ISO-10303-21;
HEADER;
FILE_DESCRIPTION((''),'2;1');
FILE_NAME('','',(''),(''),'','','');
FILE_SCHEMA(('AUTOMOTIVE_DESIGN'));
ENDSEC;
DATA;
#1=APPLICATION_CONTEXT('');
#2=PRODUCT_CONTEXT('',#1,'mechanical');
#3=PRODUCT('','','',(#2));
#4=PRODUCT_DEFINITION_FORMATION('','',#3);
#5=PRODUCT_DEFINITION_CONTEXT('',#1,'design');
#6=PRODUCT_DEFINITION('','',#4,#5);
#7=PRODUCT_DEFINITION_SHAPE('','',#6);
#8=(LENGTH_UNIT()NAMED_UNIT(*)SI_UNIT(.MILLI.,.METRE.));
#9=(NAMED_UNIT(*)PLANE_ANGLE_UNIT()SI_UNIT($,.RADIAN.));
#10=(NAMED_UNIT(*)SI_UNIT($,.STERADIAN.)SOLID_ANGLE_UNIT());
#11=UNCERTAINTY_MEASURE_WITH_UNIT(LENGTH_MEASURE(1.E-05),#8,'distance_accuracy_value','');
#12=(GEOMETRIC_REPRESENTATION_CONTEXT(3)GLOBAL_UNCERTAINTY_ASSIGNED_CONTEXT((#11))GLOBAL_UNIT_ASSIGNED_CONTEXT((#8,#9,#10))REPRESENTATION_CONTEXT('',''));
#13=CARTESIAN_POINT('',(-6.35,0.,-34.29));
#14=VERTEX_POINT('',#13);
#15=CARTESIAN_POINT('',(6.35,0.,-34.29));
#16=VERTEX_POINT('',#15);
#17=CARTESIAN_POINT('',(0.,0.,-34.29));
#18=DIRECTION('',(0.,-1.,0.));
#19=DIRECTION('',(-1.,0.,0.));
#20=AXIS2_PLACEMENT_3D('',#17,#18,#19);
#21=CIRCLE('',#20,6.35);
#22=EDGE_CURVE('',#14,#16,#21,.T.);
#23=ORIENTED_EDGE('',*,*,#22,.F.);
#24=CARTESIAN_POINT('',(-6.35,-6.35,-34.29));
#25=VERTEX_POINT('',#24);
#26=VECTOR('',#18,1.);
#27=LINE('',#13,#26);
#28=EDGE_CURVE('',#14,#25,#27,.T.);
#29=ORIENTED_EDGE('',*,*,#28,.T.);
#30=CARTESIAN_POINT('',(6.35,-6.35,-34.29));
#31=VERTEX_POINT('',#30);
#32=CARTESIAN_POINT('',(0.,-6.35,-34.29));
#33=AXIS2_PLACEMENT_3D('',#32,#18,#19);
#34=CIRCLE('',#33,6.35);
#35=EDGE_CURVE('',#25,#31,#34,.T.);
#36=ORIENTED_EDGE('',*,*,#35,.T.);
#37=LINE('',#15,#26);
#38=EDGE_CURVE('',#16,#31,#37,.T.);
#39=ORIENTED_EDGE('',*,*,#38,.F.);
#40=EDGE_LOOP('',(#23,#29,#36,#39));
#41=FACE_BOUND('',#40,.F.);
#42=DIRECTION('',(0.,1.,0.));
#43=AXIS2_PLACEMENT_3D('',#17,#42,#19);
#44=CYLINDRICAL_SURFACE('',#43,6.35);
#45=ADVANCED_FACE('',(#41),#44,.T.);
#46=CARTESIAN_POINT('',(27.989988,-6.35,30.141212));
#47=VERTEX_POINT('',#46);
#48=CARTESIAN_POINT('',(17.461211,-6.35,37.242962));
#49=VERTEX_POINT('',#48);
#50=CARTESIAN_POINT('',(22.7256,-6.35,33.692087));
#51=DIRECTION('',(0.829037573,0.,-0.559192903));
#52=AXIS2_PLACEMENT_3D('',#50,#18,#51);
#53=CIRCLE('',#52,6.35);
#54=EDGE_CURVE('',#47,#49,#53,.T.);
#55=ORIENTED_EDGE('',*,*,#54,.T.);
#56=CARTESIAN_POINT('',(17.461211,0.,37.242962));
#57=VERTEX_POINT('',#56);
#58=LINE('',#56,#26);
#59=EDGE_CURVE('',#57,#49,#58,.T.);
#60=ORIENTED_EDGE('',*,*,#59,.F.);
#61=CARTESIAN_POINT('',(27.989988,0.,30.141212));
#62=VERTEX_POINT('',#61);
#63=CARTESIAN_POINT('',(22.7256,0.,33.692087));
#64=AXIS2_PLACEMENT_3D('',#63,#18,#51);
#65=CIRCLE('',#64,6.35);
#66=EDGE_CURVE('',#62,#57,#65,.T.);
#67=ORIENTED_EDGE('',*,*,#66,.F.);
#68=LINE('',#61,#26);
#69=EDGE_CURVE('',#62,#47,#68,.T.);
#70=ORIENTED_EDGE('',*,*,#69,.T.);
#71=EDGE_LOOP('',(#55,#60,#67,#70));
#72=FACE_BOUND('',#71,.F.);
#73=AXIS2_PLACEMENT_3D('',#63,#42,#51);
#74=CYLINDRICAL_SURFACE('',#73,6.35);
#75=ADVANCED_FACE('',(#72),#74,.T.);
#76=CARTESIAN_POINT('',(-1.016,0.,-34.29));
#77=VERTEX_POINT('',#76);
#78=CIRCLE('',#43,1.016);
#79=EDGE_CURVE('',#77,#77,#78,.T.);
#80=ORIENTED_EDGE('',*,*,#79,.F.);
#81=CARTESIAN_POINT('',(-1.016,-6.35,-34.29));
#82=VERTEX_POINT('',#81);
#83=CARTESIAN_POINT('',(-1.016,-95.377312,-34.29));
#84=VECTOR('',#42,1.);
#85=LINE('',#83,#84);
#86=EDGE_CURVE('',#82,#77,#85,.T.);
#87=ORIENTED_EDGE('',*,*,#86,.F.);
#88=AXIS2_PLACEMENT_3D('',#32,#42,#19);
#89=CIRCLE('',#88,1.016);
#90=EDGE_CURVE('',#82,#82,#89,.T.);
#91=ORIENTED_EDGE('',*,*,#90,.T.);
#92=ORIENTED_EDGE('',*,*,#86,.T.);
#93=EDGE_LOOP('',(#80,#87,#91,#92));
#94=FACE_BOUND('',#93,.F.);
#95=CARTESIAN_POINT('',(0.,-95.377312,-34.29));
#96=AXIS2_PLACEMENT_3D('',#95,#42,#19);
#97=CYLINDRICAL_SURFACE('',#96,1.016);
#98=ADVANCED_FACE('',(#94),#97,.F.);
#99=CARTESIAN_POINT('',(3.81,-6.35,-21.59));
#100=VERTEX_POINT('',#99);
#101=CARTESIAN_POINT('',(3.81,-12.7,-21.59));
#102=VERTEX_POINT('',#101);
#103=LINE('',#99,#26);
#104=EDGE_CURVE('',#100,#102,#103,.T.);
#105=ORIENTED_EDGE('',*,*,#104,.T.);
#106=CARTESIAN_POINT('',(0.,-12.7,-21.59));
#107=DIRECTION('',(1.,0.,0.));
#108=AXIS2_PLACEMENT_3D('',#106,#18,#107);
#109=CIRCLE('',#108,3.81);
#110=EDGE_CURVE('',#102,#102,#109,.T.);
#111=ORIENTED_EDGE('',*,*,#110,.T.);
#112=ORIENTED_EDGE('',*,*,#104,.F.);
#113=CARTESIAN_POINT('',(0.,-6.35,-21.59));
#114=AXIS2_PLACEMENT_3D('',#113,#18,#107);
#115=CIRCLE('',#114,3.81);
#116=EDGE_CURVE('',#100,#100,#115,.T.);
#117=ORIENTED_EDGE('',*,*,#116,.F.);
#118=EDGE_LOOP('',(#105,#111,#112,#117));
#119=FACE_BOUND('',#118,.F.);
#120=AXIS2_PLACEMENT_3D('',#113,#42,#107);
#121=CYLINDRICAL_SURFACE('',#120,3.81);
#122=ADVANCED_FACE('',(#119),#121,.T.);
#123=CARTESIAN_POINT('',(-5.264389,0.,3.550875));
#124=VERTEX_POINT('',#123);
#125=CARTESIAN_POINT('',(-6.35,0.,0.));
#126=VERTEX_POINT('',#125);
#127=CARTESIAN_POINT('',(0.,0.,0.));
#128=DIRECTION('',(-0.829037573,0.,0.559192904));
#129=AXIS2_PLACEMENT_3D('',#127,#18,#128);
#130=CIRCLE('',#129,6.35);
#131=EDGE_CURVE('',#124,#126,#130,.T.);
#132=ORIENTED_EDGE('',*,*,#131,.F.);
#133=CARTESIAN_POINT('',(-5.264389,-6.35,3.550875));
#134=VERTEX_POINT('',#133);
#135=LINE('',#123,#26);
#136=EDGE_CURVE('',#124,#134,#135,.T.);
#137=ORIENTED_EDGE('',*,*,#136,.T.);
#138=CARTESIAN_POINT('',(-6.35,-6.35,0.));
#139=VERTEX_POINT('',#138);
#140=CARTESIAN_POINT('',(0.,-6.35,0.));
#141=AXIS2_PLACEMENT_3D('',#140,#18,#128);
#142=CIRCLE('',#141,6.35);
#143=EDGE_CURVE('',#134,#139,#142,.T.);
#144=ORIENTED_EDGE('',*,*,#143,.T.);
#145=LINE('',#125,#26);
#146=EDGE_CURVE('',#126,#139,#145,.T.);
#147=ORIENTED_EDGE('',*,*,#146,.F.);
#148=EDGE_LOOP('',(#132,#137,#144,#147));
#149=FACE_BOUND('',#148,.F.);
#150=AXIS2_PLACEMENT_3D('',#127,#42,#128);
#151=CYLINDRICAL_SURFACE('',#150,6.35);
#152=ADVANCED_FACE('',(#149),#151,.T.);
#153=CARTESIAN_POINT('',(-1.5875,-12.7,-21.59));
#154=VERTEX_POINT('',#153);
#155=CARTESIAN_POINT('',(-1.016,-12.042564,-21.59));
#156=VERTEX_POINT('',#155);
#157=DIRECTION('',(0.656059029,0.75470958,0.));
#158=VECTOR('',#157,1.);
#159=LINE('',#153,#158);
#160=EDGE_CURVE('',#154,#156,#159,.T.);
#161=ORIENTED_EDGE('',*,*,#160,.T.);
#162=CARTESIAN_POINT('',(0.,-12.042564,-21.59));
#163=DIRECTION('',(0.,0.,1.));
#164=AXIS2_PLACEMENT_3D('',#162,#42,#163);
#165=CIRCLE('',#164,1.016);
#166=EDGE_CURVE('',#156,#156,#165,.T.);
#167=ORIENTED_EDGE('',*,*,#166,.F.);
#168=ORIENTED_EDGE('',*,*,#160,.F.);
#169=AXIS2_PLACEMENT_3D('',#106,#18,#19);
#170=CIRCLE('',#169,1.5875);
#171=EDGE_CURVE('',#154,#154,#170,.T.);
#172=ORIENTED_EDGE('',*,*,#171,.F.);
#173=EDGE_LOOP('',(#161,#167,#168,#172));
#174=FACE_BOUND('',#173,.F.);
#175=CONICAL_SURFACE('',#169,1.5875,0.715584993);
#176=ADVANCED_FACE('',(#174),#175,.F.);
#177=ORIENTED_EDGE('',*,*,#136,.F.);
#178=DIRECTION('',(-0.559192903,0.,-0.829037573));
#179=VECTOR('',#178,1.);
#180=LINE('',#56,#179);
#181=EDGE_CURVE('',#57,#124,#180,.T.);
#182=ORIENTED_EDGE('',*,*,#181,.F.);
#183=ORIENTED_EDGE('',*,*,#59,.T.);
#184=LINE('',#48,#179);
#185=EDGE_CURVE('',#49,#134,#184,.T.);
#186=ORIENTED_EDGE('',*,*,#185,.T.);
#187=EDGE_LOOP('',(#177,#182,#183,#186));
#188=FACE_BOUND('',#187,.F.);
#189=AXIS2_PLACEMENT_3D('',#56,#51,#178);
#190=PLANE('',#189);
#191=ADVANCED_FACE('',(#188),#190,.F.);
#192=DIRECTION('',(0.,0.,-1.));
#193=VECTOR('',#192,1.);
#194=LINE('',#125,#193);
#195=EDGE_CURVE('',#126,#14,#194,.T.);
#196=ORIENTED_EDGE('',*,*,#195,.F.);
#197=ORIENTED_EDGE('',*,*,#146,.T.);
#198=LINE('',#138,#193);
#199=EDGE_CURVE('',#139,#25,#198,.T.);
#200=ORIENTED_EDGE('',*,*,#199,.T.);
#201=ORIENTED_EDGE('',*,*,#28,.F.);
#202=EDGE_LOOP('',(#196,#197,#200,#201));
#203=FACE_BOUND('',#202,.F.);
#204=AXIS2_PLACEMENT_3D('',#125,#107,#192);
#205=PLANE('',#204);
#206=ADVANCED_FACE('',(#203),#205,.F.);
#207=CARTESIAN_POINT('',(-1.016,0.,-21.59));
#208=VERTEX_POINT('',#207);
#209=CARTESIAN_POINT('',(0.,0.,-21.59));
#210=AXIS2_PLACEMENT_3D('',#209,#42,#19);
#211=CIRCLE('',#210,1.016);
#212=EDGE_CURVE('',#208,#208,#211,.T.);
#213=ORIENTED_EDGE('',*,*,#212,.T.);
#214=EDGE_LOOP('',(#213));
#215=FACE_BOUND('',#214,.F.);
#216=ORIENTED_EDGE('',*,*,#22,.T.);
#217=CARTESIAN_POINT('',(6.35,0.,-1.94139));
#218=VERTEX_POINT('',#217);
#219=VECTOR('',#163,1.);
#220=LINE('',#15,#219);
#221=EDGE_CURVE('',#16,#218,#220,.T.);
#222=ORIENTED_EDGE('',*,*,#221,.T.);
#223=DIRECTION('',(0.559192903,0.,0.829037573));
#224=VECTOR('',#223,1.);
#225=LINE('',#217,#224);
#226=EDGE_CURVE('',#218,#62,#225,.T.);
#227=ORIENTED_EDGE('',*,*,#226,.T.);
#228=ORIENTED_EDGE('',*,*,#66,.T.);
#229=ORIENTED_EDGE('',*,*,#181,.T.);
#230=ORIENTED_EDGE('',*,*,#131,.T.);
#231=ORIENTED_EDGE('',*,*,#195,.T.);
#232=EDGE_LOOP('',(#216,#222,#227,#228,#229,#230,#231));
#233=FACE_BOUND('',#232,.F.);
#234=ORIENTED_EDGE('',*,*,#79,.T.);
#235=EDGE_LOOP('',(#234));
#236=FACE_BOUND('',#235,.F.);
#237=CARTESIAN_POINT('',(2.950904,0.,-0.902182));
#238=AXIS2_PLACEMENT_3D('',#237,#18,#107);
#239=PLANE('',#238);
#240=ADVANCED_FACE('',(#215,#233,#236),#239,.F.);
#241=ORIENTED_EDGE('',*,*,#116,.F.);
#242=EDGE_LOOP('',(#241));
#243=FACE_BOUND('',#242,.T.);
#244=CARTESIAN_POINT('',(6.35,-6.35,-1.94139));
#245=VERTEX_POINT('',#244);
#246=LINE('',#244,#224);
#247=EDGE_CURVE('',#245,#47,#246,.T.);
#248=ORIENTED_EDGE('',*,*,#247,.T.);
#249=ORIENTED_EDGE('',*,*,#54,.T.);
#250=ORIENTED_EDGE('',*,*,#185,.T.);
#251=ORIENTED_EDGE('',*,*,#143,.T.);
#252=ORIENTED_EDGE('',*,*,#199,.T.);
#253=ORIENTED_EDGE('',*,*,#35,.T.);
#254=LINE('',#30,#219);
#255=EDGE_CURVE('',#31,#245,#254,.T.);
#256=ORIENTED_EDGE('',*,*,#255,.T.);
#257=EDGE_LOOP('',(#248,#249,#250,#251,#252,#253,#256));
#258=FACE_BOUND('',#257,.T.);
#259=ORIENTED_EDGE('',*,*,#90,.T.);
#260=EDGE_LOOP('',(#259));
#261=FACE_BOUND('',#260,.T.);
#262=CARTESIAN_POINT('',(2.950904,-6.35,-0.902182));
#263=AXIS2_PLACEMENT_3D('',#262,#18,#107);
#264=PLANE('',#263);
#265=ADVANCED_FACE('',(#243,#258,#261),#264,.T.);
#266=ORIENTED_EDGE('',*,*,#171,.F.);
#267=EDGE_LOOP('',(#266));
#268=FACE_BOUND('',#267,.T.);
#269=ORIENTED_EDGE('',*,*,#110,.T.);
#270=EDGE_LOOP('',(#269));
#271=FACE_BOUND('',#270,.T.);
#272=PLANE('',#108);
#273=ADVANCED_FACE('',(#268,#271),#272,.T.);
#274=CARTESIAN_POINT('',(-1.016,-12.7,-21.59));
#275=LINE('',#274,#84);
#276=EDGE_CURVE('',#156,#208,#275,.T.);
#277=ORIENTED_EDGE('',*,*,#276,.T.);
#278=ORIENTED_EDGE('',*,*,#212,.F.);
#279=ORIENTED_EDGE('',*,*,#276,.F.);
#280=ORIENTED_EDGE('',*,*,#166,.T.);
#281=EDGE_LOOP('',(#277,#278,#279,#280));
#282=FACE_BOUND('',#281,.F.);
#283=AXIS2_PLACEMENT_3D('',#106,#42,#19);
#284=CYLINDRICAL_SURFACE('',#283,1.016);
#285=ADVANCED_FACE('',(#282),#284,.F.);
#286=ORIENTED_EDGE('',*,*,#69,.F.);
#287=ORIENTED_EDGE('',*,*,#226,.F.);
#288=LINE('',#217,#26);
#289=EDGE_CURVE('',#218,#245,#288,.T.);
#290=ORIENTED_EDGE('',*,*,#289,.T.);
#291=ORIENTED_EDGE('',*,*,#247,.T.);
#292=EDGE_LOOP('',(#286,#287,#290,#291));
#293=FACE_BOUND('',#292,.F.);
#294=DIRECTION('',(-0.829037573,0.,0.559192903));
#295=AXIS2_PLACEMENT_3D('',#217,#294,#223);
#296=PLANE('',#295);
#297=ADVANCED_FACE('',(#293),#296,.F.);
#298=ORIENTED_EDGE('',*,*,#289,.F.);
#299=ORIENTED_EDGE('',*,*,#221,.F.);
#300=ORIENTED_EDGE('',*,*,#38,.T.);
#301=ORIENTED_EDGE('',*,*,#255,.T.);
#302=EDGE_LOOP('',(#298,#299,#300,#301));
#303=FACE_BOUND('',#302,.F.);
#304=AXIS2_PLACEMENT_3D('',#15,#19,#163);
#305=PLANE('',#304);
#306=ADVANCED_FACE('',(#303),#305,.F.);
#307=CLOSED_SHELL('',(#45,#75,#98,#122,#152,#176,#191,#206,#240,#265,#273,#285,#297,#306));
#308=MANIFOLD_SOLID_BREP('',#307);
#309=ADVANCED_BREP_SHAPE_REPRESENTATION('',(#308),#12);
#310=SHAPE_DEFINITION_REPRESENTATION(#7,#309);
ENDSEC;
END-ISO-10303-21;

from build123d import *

# Parameters (mm, degrees)
F1_DEPTH       = 6.35
F2_R           = 3.81
F3_DEPTH       = 6.35
F5_D           = 2.032
F5_CSINK_D     = 3.175
F5_CSINK_ANGLE = 82
F7_D           = 2.032


with BuildPart() as f1:
    # F0 (on Front) → F1 (new body)
    with BuildSketch(Plane.XZ):
        with BuildLine():
            Line((3.550874937, 5.2643885857), (0, 0))
            Line((0, 0), (0, -6.35))
            ThreePointArc((0, -6.35), (2.9811444237, -5.6067172147), (5.2643885857, -3.550874937))
            Line((5.2643885857, -3.550874937), (6.35, -1.9413898273))
            Line((6.35, -1.9413898273), (6.35, 0))
            ThreePointArc((6.35, 0), (5.6067172147, 2.9811444237), (3.550874937, 5.2643885857))
        make_face()
        with BuildLine():
            Line((0, -6.35), (0, 0))
            Line((0, 0), (3.550874937, 5.2643885857))
            ThreePointArc((3.550874937, 5.2643885857), (-1.2116371206, 6.2333326149), (-5.2643885857, 3.550874937))
            ThreePointArc((-5.2643885857, 3.550874937), (-6.0725352004, 1.856560325), (-6.35, 0))
            ThreePointArc((-6.35, 0), (-4.4901280605, -4.4901280605), (0, -6.35))
        make_face()
        with BuildLine():
            ThreePointArc((5.2643885857, -3.550874937), (2.9811444237, -5.6067172147), (0, -6.35))
            Line((0, -6.35), (0, -15.24))
            ThreePointArc((0, -15.24), (4.4901280605, -17.0998719395), (6.35, -21.59))
            Line((6.35, -21.59), (6.35, -1.9413898273))
            Line((6.35, -1.9413898273), (5.2643885857, -3.550874937))
        make_face()
        with BuildLine():
            Line((0, -15.24), (0, -6.35))
            ThreePointArc((0, -6.35), (-4.4901280605, -4.4901280605), (-6.35, 0))
            Line((-6.35, 0), (-6.35, -21.59))
            ThreePointArc((-6.35, -21.59), (-4.4901280605, -17.0998719395), (0, -15.24))
        make_face()
        with BuildLine():
            ThreePointArc((-5.2643885857, 3.550874937), (-1.2116371206, 6.2333326149), (3.550874937, 5.2643885857))
            ThreePointArc((3.550874937, 5.2643885857), (5.6067172147, 2.9811444237), (6.35, 0))
            Line((6.35, 0), (6.35, -1.9413898273))
            Line((6.35, -1.9413898273), (27.9899881828, 30.1412120116))
            ThreePointArc((27.9899881828, 30.1412120116), (26.2764745341, 38.9564755344), (17.4612110113, 37.2429618857))
            Line((17.4612110113, 37.2429618857), (-5.2643885857, 3.550874937))
        make_face()
        with BuildLine():
            ThreePointArc((6.35, -21.59), (4.4901280605, -17.0998719395), (0, -15.24))
            Line((0, -15.24), (0, -21.59))
            Line((0, -21.59), (0, -27.94))
            ThreePointArc((0, -27.94), (4.4901280605, -26.0801280605), (6.35, -21.59))
        make_face()
        with BuildLine():
            Line((0, -21.59), (0, -15.24))
            ThreePointArc((0, -15.24), (-4.4901280605, -17.0998719395), (-6.35, -21.59))
            ThreePointArc((-6.35, -21.59), (-4.4901280605, -26.0801280605), (0, -27.94))
            Line((0, -27.94), (0, -21.59))
        make_face()
        with BuildLine():
            ThreePointArc((0, -27.94), (-4.4901280605, -26.0801280605), (-6.35, -21.59))
            Line((-6.35, -21.59), (-6.35, -34.29))
            ThreePointArc((-6.35, -34.29), (0, -40.64), (6.35, -34.29))
            Line((6.35, -34.29), (6.35, -21.59))
            ThreePointArc((6.35, -21.59), (4.4901280605, -26.0801280605), (0, -27.94))
        make_face()
    extrude(amount=F1_DEPTH)

    # F2 (on face) → F3 (join)
    with BuildSketch(Plane.XZ.offset(6.35)):
        with Locations((0, -21.59)):
            Circle(F2_R)
    extrude(amount=F3_DEPTH)

    # F5 (through all)
    with Locations(Plane.XZ.offset(12.7)):
        with Locations((0, -21.59)):
            CounterSinkHole(F5_D / 2, F5_CSINK_D / 2, counter_sink_angle=F5_CSINK_ANGLE)

    # F7 (through all)
    with Locations(Plane.XZ.offset(6.35)):
        with Locations((0, -34.29)):
            Hole(F7_D / 2)


solid = f1.part
